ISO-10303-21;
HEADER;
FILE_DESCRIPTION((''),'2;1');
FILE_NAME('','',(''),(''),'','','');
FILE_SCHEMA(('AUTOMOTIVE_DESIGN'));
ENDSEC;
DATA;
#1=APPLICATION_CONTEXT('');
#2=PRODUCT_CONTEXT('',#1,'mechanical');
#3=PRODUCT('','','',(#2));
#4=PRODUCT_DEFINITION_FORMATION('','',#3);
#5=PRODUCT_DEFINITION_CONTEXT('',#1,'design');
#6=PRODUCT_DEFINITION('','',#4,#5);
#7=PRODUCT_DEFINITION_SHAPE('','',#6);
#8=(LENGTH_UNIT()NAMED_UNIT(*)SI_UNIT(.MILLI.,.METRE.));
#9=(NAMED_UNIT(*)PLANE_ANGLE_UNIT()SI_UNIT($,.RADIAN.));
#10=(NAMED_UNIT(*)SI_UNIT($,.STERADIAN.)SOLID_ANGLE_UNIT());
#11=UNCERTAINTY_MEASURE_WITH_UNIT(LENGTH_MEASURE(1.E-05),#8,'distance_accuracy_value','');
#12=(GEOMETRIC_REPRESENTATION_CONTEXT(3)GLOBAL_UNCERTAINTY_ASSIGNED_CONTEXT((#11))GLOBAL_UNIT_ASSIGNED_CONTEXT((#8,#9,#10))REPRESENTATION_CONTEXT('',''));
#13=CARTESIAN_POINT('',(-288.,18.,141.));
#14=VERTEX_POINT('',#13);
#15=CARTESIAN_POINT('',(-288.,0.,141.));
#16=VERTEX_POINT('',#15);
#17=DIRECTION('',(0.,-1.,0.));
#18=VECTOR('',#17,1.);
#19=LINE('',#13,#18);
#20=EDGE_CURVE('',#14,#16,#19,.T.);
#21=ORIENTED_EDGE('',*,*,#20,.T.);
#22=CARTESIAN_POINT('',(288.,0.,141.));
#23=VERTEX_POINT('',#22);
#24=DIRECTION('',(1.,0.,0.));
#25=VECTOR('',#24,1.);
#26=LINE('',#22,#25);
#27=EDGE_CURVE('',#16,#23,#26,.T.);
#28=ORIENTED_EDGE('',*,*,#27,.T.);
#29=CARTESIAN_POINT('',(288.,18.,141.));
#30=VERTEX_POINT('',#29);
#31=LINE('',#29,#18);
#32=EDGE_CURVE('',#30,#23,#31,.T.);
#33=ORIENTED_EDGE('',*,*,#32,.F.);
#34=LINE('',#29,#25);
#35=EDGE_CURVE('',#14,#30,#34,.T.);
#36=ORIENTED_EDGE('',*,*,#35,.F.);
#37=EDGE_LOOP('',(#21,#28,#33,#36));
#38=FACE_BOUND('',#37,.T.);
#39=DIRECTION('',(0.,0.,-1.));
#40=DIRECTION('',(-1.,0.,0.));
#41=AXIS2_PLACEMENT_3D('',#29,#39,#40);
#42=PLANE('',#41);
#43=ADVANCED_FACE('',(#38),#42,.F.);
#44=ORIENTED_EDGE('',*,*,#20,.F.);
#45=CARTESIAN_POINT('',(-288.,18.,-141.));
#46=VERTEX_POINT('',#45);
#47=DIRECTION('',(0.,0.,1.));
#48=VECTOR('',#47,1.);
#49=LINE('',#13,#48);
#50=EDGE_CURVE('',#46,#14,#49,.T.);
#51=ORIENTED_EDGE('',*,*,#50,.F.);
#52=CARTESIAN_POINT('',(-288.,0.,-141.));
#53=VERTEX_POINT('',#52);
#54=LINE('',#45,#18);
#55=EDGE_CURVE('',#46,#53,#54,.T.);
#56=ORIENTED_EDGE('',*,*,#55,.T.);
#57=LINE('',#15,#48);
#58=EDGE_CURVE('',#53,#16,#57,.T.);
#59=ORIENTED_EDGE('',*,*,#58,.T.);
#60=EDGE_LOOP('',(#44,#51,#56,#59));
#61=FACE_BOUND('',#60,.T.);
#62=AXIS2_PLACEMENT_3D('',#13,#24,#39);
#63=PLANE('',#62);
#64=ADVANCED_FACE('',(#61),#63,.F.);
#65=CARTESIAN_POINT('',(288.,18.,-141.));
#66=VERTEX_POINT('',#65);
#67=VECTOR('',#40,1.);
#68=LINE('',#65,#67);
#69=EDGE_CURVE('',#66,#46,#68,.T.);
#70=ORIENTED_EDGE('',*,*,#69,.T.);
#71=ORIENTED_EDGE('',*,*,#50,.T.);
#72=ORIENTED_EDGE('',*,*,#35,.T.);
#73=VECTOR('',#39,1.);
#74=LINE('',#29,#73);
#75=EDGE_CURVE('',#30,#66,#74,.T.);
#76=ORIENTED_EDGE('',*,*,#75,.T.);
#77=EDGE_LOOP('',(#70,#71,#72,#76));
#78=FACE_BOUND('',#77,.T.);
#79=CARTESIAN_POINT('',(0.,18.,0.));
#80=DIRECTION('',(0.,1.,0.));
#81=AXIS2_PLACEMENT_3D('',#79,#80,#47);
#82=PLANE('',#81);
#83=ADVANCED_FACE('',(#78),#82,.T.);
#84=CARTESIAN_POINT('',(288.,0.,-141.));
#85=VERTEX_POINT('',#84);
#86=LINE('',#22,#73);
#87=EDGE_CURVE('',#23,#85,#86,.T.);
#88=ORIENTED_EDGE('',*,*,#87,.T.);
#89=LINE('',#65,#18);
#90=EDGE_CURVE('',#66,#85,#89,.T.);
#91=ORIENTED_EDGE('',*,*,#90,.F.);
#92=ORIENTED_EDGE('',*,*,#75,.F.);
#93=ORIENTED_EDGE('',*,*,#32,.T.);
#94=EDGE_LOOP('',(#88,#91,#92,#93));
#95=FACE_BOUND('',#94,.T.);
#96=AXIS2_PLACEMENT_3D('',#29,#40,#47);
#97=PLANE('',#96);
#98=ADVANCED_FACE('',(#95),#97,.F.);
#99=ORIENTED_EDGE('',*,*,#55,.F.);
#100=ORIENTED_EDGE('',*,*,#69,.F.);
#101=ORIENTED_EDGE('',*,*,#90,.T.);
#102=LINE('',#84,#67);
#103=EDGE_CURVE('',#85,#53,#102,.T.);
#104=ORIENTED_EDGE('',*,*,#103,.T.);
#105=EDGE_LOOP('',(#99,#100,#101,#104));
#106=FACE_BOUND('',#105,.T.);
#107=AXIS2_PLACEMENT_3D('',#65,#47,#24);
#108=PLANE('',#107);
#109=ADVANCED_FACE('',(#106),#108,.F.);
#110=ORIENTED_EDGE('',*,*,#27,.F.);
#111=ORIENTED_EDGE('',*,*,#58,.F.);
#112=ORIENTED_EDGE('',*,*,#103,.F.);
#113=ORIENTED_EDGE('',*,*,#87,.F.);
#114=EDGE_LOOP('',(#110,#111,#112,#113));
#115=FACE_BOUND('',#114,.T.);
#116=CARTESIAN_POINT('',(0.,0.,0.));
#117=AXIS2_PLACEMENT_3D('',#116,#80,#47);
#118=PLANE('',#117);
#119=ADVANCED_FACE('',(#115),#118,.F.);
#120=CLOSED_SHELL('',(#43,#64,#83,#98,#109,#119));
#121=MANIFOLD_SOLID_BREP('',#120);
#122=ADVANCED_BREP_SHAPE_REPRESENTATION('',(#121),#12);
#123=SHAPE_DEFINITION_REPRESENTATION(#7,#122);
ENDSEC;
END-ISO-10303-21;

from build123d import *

# Parameters (mm, degrees)
SKETCH_1_W      = 576
SKETCH_1_H      = 282
EXTRUDE_1_DEPTH = 18


with BuildPart() as part:
    # Эскиз1 → Бобышка-Вытянуть1 (new body)
    with BuildSketch(Plane(origin=(0, 0, 0), x_dir=(1, 0, 0), z_dir=(0, 1, 0))):
        Rectangle(SKETCH_1_W, SKETCH_1_H)
    extrude(amount=EXTRUDE_1_DEPTH)


solid = part.part
